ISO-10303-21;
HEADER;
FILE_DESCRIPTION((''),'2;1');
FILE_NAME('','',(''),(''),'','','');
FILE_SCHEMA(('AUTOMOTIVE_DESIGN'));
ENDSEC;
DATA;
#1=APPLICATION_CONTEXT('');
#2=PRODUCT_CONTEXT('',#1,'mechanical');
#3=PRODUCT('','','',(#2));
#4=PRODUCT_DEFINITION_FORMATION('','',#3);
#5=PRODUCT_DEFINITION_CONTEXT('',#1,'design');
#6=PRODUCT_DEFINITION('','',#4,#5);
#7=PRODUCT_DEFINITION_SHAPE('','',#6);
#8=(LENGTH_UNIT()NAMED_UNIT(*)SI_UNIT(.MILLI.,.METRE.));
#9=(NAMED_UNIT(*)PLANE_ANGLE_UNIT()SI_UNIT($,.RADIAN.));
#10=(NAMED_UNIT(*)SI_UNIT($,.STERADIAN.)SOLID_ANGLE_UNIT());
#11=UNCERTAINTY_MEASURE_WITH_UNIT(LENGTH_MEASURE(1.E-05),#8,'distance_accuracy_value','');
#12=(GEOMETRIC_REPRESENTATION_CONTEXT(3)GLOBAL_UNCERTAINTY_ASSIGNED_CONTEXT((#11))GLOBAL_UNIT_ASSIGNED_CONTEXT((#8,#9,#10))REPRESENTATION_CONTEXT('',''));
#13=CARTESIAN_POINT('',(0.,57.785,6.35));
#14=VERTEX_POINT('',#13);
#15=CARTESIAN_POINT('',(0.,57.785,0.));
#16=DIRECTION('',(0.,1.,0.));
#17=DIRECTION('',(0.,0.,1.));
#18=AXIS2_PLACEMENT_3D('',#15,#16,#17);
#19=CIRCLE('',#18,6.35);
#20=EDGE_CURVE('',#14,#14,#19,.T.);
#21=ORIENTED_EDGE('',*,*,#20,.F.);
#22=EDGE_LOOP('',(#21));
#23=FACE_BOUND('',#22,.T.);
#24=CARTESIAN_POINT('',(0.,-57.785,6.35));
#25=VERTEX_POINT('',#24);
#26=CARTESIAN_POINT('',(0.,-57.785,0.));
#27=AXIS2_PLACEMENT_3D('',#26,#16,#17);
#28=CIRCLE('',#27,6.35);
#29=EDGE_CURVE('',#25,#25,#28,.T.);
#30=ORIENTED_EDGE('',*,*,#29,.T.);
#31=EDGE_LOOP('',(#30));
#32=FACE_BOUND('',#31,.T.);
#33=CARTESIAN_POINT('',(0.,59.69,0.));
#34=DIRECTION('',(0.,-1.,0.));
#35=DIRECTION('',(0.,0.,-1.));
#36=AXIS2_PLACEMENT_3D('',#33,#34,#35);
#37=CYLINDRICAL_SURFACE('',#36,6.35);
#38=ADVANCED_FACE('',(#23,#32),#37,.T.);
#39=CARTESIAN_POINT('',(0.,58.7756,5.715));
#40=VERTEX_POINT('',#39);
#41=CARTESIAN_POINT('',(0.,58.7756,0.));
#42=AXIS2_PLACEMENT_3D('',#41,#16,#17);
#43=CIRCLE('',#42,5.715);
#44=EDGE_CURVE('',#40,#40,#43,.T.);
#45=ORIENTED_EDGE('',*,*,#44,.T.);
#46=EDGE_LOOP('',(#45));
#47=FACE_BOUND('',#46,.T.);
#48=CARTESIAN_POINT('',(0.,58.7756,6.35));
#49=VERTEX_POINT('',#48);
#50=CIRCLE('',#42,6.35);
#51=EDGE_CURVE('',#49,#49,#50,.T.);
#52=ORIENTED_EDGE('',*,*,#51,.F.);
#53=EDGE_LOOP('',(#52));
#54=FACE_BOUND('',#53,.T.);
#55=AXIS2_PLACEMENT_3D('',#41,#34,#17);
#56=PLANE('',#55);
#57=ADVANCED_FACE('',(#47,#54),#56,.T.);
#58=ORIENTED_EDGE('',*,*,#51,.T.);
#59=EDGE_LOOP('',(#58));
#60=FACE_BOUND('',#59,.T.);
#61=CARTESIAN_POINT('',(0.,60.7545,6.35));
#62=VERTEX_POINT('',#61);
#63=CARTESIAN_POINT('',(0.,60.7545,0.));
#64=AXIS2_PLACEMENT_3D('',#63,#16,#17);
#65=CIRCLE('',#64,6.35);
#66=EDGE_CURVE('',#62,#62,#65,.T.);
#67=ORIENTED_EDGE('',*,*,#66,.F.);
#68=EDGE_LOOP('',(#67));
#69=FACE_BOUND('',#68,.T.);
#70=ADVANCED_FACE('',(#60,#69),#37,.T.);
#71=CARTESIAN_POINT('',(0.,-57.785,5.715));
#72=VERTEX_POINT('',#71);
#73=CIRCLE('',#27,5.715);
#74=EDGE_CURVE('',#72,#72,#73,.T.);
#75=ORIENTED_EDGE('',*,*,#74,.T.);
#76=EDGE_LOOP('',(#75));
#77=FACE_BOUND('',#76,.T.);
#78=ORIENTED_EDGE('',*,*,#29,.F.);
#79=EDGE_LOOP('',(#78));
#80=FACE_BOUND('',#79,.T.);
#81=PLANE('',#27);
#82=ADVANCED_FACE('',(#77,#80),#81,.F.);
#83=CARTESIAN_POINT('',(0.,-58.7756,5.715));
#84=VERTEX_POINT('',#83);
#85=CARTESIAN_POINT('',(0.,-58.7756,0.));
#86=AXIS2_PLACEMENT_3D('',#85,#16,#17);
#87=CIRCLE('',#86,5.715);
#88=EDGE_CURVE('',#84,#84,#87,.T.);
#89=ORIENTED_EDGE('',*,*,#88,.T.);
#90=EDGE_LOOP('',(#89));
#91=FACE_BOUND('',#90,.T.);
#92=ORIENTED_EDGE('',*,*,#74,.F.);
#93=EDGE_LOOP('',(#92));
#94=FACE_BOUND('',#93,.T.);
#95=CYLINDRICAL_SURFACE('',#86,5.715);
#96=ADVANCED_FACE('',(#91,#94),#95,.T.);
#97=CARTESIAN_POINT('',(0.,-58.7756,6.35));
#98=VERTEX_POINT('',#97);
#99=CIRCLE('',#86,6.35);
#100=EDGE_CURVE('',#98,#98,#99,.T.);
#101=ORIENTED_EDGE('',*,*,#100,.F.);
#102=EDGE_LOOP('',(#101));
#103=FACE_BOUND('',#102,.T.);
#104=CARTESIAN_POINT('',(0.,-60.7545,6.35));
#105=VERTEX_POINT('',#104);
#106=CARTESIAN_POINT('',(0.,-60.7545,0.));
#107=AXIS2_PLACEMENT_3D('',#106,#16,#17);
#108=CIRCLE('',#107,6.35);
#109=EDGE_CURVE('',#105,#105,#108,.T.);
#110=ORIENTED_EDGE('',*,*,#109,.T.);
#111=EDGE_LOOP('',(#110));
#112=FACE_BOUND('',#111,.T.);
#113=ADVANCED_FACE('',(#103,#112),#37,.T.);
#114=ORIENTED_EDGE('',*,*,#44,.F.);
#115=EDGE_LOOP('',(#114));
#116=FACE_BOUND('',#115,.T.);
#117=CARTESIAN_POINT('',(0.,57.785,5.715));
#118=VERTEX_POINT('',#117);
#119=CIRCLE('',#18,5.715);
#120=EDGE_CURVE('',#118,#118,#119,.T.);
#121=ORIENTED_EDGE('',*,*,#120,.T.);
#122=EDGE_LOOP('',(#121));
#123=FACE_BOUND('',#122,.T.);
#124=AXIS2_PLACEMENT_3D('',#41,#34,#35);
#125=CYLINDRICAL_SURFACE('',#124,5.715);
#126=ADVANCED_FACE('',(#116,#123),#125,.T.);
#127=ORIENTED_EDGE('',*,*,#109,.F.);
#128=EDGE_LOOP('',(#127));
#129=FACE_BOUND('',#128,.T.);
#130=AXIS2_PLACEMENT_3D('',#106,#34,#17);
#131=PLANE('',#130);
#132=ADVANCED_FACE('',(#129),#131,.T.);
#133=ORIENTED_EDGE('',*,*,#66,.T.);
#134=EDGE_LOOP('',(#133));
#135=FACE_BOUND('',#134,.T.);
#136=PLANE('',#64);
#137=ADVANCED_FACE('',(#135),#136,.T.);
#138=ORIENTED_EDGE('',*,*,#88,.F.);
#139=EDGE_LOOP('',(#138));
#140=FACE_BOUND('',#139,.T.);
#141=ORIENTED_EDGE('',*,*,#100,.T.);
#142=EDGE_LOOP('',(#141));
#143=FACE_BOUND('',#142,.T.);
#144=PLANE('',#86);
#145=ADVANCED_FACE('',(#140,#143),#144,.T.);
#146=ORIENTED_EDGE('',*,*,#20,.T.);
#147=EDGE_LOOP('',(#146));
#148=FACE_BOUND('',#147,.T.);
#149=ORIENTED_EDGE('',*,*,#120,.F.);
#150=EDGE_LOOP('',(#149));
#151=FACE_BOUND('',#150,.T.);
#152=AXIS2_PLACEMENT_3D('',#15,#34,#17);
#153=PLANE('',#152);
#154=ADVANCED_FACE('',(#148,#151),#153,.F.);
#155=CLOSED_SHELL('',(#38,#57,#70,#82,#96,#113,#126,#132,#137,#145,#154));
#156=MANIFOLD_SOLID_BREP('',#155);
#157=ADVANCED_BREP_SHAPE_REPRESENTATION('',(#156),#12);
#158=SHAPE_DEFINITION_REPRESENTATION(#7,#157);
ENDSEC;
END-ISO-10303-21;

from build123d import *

# Parameters (mm, degrees)
SKETCH1_R           = 6.35
SKETCH1_R_2         = 3.175
BOSS_EXTRUDE1_DEPTH = 59.69
CUT_EXTRUDE1_START  = 1.905
SKETCH2_R           = 6.35
SKETCH2_R_2         = 5.715
CUT_EXTRUDE1_DEPTH  = 0.9906
SKETCH3_R           = 6.35
BOSS_EXTRUDE2_DEPTH = 1.064499902


with BuildPart() as part:
    # Sketch1 → Boss-Extrude1 (new body, symmetric)
    with BuildSketch(Plane(origin=(0, 0, 0), x_dir=(1, 0, 0), z_dir=(0, 1, 0))):
        Circle(SKETCH1_R)
        Circle(SKETCH1_R_2, mode=Mode.SUBTRACT)
        Circle(SKETCH1_R_2)
    extrude(amount=BOSS_EXTRUDE1_DEPTH, both=True)

    # Sketch2 → Cut-Extrude1 (cut)
    with BuildSketch(Plane(origin=(0, -59.69, 0), x_dir=(1, 0, 0), z_dir=(0, 1, 0)).offset(CUT_EXTRUDE1_START)):
        Circle(SKETCH2_R)
        Circle(SKETCH2_R_2, mode=Mode.SUBTRACT)
    cut_extrude1 = extrude(amount=-CUT_EXTRUDE1_DEPTH, mode=Mode.SUBTRACT)

    # Mirror1: Cut-Extrude1 across plane
    add(cut_extrude1.mirror(Plane.ZX), mode=Mode.SUBTRACT)

    # Sketch3 → Boss-Extrude2 (add)
    with BuildSketch(Plane(origin=(0, 59.69, 0), x_dir=(1, 0, 0), z_dir=(0, 1, 0))):
        Circle(SKETCH3_R)
    boss_extrude2 = extrude(amount=BOSS_EXTRUDE2_DEPTH)

    # Mirror2: Boss-Extrude2 across plane
    add(boss_extrude2.mirror(Plane.ZX))


solid = part.part
